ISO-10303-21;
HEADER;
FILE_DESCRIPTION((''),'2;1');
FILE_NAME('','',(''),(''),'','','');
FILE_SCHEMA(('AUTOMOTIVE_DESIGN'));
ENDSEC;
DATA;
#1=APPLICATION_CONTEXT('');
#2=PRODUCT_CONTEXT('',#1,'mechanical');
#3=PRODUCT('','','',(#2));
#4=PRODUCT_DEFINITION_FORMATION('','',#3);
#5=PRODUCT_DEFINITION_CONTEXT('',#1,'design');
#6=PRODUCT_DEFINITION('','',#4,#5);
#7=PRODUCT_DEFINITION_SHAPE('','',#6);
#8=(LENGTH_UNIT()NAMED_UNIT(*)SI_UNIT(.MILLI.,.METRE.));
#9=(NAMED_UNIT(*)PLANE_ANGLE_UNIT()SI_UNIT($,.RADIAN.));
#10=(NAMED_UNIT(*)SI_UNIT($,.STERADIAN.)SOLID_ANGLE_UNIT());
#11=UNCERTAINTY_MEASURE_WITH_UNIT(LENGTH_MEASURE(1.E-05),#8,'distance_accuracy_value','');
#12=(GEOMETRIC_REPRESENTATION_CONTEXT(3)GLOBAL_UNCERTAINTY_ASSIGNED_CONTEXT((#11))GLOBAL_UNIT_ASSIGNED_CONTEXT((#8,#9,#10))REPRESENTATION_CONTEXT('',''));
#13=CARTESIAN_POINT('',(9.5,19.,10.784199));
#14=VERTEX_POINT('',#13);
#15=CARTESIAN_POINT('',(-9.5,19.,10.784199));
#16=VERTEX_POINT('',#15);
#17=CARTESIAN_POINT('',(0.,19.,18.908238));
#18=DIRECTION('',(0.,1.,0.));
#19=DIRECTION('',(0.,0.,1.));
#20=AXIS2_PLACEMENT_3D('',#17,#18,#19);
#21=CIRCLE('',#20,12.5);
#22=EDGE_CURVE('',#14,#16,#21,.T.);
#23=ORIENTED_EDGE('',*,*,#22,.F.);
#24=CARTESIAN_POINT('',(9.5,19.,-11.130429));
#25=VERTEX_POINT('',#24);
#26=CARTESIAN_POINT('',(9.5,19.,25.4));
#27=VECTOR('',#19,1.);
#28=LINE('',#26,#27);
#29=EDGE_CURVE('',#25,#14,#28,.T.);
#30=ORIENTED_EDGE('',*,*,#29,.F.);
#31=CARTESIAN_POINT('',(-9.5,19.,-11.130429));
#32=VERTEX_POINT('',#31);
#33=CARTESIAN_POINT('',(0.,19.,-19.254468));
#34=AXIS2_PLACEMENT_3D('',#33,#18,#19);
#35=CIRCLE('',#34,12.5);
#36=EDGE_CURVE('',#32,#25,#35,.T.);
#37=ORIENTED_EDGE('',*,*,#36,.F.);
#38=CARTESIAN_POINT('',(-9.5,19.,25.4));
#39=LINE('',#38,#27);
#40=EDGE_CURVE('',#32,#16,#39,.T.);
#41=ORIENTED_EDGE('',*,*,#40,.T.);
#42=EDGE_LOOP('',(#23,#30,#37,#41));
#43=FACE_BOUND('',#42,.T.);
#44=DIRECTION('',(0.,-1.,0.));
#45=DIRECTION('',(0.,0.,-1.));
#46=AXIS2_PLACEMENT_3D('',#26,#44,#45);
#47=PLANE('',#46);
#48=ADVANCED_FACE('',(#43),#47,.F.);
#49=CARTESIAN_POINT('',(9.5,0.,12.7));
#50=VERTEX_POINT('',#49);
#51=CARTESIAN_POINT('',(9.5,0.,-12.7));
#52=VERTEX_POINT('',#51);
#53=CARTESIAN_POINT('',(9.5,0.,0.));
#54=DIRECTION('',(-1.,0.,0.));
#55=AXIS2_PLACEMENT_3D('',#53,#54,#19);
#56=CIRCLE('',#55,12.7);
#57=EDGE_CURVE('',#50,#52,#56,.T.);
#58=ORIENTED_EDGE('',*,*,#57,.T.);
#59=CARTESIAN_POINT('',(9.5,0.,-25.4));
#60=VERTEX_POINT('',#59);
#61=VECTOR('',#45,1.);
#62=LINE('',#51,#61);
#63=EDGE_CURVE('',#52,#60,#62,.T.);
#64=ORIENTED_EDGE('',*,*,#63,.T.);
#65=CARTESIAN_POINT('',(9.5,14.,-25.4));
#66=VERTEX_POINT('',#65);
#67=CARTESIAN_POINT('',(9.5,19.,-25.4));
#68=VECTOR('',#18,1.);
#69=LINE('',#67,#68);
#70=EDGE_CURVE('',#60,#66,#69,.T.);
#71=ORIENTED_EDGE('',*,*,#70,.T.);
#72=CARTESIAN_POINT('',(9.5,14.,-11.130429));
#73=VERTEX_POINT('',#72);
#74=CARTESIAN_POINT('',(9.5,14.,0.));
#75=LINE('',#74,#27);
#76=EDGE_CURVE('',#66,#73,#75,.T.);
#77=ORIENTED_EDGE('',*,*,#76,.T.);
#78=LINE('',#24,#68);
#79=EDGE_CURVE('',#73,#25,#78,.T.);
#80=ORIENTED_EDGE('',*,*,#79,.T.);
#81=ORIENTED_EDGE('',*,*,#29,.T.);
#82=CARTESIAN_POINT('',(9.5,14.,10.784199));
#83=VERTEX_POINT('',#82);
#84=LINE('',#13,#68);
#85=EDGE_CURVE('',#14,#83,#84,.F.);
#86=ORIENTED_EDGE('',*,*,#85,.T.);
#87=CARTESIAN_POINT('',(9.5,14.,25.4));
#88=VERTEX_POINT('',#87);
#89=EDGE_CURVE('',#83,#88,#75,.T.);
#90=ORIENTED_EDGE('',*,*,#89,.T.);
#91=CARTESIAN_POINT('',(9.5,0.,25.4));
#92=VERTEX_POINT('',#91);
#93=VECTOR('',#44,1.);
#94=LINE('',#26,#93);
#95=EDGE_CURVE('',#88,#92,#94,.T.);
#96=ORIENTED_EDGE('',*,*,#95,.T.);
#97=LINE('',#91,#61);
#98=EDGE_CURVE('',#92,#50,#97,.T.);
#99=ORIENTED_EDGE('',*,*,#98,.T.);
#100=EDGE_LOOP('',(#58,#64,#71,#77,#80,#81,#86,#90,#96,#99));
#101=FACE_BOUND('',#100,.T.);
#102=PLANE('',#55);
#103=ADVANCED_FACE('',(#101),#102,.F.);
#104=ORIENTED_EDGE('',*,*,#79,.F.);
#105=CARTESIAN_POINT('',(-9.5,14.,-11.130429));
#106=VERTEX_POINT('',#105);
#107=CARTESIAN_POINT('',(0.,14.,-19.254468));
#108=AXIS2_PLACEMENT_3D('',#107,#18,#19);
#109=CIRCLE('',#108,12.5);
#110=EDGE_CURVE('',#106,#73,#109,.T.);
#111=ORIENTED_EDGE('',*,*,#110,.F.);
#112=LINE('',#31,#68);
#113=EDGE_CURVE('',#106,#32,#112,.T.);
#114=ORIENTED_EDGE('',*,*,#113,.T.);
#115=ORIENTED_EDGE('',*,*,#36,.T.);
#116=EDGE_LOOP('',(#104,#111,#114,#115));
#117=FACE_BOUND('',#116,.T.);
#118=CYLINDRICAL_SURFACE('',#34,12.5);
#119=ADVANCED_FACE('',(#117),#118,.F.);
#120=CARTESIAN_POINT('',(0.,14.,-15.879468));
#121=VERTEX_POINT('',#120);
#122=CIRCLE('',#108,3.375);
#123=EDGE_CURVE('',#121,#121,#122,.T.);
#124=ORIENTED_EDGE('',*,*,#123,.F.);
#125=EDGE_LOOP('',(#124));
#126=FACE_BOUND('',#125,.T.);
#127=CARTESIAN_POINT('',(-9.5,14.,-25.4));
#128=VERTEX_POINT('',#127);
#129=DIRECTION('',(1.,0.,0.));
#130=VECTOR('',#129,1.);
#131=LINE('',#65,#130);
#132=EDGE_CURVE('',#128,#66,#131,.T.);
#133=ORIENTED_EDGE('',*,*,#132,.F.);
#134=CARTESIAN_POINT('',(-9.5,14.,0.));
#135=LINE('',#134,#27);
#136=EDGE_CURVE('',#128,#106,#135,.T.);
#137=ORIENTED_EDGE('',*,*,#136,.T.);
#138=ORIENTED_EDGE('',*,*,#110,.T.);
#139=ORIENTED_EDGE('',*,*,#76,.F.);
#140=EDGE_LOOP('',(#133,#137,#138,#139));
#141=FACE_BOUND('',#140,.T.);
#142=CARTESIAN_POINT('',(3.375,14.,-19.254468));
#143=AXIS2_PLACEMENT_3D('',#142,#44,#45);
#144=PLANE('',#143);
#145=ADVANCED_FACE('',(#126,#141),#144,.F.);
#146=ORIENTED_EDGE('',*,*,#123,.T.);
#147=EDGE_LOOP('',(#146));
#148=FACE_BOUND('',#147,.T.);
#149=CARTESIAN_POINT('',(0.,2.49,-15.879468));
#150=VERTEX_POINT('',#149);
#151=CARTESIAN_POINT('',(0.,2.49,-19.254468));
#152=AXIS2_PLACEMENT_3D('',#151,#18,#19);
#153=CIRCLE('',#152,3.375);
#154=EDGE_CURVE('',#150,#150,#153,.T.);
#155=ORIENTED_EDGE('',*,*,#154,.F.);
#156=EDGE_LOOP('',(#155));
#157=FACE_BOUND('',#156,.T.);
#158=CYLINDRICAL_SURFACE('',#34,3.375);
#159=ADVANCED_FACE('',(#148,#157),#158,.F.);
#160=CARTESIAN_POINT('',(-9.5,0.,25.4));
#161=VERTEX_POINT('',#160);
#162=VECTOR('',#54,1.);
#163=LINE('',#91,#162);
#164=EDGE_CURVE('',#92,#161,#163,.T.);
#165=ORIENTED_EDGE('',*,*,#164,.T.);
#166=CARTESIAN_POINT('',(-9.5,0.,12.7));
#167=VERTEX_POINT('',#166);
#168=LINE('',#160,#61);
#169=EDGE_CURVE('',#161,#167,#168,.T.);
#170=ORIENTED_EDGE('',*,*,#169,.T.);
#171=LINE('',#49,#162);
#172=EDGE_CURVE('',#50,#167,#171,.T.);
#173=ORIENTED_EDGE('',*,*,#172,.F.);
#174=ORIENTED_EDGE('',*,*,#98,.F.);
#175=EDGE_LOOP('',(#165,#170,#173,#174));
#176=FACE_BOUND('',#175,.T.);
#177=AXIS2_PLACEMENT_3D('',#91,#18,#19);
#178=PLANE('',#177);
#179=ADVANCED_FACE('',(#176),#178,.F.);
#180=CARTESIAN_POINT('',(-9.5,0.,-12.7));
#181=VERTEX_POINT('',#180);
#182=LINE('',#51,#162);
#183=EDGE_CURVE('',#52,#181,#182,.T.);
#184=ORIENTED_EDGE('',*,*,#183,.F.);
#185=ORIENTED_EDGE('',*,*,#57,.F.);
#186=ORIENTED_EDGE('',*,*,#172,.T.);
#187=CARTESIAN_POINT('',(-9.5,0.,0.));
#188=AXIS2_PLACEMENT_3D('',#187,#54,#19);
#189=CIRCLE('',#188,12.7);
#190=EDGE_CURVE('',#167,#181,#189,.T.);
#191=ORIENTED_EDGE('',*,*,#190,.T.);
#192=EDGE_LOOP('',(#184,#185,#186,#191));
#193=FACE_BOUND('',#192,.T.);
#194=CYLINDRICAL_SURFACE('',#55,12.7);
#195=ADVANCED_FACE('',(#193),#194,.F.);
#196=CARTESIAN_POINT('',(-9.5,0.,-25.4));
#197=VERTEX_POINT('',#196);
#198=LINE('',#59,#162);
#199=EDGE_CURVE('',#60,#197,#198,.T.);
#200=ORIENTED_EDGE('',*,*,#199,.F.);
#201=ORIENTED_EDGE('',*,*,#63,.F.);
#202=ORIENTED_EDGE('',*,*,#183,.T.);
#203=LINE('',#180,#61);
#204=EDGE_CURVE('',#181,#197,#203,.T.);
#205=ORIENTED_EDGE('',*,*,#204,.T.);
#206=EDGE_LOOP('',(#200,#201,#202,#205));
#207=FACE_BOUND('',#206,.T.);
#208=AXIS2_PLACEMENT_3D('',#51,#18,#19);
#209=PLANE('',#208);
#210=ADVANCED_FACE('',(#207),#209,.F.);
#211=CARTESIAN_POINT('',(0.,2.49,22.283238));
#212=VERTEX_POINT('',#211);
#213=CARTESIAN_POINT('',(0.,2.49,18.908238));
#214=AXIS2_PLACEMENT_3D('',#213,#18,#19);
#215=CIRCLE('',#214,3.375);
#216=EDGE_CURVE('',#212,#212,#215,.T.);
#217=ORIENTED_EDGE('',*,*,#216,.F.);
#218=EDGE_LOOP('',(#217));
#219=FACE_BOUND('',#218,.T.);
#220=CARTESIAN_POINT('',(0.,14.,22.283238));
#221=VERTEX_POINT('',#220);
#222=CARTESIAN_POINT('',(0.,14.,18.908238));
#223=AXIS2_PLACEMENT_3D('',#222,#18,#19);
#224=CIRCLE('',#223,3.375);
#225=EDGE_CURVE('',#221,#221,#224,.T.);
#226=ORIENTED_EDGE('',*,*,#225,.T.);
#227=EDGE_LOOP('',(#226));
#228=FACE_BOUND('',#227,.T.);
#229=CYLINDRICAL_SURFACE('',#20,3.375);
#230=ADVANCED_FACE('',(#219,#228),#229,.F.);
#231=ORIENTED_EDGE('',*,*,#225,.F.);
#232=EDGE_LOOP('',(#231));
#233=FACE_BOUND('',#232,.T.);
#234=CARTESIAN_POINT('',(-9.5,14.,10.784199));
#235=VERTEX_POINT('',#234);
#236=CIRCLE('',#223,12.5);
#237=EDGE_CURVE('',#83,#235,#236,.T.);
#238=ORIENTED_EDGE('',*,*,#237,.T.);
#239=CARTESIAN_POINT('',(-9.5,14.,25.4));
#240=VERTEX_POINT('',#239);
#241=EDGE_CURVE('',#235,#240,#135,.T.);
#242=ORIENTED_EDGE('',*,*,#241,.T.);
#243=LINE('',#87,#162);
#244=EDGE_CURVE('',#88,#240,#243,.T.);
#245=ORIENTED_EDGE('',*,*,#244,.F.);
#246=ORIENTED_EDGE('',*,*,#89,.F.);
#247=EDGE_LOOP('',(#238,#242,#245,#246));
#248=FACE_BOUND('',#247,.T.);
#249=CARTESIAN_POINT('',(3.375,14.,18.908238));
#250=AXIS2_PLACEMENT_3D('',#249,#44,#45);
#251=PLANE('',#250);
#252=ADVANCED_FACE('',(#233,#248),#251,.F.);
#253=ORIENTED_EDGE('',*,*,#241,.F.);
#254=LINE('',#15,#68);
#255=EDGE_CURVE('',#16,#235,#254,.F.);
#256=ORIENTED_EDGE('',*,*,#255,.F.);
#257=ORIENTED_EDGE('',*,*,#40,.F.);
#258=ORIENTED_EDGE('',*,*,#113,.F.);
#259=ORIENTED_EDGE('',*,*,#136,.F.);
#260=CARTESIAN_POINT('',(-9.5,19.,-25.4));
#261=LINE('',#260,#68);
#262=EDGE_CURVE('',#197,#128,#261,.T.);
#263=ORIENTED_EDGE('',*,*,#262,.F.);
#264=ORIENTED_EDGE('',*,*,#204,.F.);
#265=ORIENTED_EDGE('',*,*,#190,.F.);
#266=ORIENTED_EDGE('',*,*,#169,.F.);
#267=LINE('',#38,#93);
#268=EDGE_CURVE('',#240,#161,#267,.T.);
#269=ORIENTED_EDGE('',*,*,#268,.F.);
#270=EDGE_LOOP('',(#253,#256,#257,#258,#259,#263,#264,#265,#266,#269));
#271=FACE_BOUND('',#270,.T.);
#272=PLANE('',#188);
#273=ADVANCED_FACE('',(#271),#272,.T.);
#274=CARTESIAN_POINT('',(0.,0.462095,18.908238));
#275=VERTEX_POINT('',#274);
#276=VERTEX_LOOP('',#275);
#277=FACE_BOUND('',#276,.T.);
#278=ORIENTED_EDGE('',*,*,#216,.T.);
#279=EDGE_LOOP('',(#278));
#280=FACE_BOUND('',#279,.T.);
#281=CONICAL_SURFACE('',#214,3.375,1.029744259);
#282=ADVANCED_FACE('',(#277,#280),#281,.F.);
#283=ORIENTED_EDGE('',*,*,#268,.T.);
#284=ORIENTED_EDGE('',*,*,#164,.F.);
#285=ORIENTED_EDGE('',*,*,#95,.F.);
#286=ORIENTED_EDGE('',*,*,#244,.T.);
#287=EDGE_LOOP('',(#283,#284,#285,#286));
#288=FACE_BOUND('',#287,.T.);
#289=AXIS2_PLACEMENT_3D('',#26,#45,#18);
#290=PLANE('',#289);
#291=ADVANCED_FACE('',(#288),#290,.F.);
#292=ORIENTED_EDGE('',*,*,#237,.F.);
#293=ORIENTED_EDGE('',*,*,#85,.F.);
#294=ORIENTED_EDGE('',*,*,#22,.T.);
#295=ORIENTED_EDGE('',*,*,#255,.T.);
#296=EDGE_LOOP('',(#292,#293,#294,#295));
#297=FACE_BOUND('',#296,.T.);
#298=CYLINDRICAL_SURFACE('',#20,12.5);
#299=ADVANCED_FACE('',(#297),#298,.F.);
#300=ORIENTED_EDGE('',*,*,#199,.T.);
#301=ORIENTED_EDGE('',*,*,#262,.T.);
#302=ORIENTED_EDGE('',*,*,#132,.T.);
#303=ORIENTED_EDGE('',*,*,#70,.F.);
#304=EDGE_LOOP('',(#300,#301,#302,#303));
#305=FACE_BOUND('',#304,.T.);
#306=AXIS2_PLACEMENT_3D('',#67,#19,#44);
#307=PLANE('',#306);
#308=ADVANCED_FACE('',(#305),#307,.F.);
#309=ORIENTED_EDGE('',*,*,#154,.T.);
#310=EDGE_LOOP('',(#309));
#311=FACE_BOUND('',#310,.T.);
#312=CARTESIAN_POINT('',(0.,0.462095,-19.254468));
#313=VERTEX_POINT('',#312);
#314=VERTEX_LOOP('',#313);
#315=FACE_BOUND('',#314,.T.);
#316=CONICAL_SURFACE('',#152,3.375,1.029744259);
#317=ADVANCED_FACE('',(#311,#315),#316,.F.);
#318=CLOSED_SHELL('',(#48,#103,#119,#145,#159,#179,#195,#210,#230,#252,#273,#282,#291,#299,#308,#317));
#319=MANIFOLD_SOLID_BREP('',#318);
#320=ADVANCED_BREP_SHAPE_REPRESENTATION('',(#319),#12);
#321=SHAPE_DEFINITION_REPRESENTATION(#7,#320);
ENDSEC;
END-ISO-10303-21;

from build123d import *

# Parameters (mm, degrees)
BOSS_EXTRUDE1_DEPTH                           = 9.5
CBORE_FOR_M12_HEX_HEAD_CAP_SCREW1_D           = 6.75
CBORE_FOR_M12_HEX_HEAD_CAP_SCREW1_DEPTH       = 16.51
CBORE_FOR_M12_HEX_HEAD_CAP_SCREW1_CBORE_D     = 25
CBORE_FOR_M12_HEX_HEAD_CAP_SCREW1_CBORE_DEPTH = 5
CBORE_FOR_M12_HEX_HEAD_CAP_SCREW1_TIP         = 2.027904589


with BuildPart() as part:
    # Sketch1 → Boss-Extrude1 (new, symmetric)
    with BuildSketch(Plane(origin=(0, 0, 0), x_dir=(0, 0, -1), z_dir=(1, 0, 0))):
        with BuildLine():
            Line((12.7, 0), (25.4, 0))
            Line((25.4, 0), (25.4, 19))
            Line((25.4, 19), (-25.4, 19))
            Line((-25.4, 19), (-25.4, 0))
            Line((-25.4, 0), (-12.7, 0))
            ThreePointArc((-12.7, 0), (0, 12.7), (12.7, 0))
        make_face()
    extrude(amount=BOSS_EXTRUDE1_DEPTH, both=True)

    # CBORE for M12 Hex Head Cap Screw1
    with Locations(Plane(origin=(0, 19, 0), x_dir=(1, 0, 0), z_dir=(0, 1, 0))):
        with Locations((0, 19.25446783), (0, -18.9082378)):
            CounterBoreHole(CBORE_FOR_M12_HEX_HEAD_CAP_SCREW1_D / 2, CBORE_FOR_M12_HEX_HEAD_CAP_SCREW1_CBORE_D / 2, CBORE_FOR_M12_HEX_HEAD_CAP_SCREW1_CBORE_DEPTH, depth=CBORE_FOR_M12_HEX_HEAD_CAP_SCREW1_DEPTH)
            with Locations((0, 0, -(CBORE_FOR_M12_HEX_HEAD_CAP_SCREW1_DEPTH + CBORE_FOR_M12_HEX_HEAD_CAP_SCREW1_TIP / 2))):  # 118° drill point
                Cone(0, CBORE_FOR_M12_HEX_HEAD_CAP_SCREW1_D / 2, CBORE_FOR_M12_HEX_HEAD_CAP_SCREW1_TIP, mode=Mode.SUBTRACT)


solid = part.part
